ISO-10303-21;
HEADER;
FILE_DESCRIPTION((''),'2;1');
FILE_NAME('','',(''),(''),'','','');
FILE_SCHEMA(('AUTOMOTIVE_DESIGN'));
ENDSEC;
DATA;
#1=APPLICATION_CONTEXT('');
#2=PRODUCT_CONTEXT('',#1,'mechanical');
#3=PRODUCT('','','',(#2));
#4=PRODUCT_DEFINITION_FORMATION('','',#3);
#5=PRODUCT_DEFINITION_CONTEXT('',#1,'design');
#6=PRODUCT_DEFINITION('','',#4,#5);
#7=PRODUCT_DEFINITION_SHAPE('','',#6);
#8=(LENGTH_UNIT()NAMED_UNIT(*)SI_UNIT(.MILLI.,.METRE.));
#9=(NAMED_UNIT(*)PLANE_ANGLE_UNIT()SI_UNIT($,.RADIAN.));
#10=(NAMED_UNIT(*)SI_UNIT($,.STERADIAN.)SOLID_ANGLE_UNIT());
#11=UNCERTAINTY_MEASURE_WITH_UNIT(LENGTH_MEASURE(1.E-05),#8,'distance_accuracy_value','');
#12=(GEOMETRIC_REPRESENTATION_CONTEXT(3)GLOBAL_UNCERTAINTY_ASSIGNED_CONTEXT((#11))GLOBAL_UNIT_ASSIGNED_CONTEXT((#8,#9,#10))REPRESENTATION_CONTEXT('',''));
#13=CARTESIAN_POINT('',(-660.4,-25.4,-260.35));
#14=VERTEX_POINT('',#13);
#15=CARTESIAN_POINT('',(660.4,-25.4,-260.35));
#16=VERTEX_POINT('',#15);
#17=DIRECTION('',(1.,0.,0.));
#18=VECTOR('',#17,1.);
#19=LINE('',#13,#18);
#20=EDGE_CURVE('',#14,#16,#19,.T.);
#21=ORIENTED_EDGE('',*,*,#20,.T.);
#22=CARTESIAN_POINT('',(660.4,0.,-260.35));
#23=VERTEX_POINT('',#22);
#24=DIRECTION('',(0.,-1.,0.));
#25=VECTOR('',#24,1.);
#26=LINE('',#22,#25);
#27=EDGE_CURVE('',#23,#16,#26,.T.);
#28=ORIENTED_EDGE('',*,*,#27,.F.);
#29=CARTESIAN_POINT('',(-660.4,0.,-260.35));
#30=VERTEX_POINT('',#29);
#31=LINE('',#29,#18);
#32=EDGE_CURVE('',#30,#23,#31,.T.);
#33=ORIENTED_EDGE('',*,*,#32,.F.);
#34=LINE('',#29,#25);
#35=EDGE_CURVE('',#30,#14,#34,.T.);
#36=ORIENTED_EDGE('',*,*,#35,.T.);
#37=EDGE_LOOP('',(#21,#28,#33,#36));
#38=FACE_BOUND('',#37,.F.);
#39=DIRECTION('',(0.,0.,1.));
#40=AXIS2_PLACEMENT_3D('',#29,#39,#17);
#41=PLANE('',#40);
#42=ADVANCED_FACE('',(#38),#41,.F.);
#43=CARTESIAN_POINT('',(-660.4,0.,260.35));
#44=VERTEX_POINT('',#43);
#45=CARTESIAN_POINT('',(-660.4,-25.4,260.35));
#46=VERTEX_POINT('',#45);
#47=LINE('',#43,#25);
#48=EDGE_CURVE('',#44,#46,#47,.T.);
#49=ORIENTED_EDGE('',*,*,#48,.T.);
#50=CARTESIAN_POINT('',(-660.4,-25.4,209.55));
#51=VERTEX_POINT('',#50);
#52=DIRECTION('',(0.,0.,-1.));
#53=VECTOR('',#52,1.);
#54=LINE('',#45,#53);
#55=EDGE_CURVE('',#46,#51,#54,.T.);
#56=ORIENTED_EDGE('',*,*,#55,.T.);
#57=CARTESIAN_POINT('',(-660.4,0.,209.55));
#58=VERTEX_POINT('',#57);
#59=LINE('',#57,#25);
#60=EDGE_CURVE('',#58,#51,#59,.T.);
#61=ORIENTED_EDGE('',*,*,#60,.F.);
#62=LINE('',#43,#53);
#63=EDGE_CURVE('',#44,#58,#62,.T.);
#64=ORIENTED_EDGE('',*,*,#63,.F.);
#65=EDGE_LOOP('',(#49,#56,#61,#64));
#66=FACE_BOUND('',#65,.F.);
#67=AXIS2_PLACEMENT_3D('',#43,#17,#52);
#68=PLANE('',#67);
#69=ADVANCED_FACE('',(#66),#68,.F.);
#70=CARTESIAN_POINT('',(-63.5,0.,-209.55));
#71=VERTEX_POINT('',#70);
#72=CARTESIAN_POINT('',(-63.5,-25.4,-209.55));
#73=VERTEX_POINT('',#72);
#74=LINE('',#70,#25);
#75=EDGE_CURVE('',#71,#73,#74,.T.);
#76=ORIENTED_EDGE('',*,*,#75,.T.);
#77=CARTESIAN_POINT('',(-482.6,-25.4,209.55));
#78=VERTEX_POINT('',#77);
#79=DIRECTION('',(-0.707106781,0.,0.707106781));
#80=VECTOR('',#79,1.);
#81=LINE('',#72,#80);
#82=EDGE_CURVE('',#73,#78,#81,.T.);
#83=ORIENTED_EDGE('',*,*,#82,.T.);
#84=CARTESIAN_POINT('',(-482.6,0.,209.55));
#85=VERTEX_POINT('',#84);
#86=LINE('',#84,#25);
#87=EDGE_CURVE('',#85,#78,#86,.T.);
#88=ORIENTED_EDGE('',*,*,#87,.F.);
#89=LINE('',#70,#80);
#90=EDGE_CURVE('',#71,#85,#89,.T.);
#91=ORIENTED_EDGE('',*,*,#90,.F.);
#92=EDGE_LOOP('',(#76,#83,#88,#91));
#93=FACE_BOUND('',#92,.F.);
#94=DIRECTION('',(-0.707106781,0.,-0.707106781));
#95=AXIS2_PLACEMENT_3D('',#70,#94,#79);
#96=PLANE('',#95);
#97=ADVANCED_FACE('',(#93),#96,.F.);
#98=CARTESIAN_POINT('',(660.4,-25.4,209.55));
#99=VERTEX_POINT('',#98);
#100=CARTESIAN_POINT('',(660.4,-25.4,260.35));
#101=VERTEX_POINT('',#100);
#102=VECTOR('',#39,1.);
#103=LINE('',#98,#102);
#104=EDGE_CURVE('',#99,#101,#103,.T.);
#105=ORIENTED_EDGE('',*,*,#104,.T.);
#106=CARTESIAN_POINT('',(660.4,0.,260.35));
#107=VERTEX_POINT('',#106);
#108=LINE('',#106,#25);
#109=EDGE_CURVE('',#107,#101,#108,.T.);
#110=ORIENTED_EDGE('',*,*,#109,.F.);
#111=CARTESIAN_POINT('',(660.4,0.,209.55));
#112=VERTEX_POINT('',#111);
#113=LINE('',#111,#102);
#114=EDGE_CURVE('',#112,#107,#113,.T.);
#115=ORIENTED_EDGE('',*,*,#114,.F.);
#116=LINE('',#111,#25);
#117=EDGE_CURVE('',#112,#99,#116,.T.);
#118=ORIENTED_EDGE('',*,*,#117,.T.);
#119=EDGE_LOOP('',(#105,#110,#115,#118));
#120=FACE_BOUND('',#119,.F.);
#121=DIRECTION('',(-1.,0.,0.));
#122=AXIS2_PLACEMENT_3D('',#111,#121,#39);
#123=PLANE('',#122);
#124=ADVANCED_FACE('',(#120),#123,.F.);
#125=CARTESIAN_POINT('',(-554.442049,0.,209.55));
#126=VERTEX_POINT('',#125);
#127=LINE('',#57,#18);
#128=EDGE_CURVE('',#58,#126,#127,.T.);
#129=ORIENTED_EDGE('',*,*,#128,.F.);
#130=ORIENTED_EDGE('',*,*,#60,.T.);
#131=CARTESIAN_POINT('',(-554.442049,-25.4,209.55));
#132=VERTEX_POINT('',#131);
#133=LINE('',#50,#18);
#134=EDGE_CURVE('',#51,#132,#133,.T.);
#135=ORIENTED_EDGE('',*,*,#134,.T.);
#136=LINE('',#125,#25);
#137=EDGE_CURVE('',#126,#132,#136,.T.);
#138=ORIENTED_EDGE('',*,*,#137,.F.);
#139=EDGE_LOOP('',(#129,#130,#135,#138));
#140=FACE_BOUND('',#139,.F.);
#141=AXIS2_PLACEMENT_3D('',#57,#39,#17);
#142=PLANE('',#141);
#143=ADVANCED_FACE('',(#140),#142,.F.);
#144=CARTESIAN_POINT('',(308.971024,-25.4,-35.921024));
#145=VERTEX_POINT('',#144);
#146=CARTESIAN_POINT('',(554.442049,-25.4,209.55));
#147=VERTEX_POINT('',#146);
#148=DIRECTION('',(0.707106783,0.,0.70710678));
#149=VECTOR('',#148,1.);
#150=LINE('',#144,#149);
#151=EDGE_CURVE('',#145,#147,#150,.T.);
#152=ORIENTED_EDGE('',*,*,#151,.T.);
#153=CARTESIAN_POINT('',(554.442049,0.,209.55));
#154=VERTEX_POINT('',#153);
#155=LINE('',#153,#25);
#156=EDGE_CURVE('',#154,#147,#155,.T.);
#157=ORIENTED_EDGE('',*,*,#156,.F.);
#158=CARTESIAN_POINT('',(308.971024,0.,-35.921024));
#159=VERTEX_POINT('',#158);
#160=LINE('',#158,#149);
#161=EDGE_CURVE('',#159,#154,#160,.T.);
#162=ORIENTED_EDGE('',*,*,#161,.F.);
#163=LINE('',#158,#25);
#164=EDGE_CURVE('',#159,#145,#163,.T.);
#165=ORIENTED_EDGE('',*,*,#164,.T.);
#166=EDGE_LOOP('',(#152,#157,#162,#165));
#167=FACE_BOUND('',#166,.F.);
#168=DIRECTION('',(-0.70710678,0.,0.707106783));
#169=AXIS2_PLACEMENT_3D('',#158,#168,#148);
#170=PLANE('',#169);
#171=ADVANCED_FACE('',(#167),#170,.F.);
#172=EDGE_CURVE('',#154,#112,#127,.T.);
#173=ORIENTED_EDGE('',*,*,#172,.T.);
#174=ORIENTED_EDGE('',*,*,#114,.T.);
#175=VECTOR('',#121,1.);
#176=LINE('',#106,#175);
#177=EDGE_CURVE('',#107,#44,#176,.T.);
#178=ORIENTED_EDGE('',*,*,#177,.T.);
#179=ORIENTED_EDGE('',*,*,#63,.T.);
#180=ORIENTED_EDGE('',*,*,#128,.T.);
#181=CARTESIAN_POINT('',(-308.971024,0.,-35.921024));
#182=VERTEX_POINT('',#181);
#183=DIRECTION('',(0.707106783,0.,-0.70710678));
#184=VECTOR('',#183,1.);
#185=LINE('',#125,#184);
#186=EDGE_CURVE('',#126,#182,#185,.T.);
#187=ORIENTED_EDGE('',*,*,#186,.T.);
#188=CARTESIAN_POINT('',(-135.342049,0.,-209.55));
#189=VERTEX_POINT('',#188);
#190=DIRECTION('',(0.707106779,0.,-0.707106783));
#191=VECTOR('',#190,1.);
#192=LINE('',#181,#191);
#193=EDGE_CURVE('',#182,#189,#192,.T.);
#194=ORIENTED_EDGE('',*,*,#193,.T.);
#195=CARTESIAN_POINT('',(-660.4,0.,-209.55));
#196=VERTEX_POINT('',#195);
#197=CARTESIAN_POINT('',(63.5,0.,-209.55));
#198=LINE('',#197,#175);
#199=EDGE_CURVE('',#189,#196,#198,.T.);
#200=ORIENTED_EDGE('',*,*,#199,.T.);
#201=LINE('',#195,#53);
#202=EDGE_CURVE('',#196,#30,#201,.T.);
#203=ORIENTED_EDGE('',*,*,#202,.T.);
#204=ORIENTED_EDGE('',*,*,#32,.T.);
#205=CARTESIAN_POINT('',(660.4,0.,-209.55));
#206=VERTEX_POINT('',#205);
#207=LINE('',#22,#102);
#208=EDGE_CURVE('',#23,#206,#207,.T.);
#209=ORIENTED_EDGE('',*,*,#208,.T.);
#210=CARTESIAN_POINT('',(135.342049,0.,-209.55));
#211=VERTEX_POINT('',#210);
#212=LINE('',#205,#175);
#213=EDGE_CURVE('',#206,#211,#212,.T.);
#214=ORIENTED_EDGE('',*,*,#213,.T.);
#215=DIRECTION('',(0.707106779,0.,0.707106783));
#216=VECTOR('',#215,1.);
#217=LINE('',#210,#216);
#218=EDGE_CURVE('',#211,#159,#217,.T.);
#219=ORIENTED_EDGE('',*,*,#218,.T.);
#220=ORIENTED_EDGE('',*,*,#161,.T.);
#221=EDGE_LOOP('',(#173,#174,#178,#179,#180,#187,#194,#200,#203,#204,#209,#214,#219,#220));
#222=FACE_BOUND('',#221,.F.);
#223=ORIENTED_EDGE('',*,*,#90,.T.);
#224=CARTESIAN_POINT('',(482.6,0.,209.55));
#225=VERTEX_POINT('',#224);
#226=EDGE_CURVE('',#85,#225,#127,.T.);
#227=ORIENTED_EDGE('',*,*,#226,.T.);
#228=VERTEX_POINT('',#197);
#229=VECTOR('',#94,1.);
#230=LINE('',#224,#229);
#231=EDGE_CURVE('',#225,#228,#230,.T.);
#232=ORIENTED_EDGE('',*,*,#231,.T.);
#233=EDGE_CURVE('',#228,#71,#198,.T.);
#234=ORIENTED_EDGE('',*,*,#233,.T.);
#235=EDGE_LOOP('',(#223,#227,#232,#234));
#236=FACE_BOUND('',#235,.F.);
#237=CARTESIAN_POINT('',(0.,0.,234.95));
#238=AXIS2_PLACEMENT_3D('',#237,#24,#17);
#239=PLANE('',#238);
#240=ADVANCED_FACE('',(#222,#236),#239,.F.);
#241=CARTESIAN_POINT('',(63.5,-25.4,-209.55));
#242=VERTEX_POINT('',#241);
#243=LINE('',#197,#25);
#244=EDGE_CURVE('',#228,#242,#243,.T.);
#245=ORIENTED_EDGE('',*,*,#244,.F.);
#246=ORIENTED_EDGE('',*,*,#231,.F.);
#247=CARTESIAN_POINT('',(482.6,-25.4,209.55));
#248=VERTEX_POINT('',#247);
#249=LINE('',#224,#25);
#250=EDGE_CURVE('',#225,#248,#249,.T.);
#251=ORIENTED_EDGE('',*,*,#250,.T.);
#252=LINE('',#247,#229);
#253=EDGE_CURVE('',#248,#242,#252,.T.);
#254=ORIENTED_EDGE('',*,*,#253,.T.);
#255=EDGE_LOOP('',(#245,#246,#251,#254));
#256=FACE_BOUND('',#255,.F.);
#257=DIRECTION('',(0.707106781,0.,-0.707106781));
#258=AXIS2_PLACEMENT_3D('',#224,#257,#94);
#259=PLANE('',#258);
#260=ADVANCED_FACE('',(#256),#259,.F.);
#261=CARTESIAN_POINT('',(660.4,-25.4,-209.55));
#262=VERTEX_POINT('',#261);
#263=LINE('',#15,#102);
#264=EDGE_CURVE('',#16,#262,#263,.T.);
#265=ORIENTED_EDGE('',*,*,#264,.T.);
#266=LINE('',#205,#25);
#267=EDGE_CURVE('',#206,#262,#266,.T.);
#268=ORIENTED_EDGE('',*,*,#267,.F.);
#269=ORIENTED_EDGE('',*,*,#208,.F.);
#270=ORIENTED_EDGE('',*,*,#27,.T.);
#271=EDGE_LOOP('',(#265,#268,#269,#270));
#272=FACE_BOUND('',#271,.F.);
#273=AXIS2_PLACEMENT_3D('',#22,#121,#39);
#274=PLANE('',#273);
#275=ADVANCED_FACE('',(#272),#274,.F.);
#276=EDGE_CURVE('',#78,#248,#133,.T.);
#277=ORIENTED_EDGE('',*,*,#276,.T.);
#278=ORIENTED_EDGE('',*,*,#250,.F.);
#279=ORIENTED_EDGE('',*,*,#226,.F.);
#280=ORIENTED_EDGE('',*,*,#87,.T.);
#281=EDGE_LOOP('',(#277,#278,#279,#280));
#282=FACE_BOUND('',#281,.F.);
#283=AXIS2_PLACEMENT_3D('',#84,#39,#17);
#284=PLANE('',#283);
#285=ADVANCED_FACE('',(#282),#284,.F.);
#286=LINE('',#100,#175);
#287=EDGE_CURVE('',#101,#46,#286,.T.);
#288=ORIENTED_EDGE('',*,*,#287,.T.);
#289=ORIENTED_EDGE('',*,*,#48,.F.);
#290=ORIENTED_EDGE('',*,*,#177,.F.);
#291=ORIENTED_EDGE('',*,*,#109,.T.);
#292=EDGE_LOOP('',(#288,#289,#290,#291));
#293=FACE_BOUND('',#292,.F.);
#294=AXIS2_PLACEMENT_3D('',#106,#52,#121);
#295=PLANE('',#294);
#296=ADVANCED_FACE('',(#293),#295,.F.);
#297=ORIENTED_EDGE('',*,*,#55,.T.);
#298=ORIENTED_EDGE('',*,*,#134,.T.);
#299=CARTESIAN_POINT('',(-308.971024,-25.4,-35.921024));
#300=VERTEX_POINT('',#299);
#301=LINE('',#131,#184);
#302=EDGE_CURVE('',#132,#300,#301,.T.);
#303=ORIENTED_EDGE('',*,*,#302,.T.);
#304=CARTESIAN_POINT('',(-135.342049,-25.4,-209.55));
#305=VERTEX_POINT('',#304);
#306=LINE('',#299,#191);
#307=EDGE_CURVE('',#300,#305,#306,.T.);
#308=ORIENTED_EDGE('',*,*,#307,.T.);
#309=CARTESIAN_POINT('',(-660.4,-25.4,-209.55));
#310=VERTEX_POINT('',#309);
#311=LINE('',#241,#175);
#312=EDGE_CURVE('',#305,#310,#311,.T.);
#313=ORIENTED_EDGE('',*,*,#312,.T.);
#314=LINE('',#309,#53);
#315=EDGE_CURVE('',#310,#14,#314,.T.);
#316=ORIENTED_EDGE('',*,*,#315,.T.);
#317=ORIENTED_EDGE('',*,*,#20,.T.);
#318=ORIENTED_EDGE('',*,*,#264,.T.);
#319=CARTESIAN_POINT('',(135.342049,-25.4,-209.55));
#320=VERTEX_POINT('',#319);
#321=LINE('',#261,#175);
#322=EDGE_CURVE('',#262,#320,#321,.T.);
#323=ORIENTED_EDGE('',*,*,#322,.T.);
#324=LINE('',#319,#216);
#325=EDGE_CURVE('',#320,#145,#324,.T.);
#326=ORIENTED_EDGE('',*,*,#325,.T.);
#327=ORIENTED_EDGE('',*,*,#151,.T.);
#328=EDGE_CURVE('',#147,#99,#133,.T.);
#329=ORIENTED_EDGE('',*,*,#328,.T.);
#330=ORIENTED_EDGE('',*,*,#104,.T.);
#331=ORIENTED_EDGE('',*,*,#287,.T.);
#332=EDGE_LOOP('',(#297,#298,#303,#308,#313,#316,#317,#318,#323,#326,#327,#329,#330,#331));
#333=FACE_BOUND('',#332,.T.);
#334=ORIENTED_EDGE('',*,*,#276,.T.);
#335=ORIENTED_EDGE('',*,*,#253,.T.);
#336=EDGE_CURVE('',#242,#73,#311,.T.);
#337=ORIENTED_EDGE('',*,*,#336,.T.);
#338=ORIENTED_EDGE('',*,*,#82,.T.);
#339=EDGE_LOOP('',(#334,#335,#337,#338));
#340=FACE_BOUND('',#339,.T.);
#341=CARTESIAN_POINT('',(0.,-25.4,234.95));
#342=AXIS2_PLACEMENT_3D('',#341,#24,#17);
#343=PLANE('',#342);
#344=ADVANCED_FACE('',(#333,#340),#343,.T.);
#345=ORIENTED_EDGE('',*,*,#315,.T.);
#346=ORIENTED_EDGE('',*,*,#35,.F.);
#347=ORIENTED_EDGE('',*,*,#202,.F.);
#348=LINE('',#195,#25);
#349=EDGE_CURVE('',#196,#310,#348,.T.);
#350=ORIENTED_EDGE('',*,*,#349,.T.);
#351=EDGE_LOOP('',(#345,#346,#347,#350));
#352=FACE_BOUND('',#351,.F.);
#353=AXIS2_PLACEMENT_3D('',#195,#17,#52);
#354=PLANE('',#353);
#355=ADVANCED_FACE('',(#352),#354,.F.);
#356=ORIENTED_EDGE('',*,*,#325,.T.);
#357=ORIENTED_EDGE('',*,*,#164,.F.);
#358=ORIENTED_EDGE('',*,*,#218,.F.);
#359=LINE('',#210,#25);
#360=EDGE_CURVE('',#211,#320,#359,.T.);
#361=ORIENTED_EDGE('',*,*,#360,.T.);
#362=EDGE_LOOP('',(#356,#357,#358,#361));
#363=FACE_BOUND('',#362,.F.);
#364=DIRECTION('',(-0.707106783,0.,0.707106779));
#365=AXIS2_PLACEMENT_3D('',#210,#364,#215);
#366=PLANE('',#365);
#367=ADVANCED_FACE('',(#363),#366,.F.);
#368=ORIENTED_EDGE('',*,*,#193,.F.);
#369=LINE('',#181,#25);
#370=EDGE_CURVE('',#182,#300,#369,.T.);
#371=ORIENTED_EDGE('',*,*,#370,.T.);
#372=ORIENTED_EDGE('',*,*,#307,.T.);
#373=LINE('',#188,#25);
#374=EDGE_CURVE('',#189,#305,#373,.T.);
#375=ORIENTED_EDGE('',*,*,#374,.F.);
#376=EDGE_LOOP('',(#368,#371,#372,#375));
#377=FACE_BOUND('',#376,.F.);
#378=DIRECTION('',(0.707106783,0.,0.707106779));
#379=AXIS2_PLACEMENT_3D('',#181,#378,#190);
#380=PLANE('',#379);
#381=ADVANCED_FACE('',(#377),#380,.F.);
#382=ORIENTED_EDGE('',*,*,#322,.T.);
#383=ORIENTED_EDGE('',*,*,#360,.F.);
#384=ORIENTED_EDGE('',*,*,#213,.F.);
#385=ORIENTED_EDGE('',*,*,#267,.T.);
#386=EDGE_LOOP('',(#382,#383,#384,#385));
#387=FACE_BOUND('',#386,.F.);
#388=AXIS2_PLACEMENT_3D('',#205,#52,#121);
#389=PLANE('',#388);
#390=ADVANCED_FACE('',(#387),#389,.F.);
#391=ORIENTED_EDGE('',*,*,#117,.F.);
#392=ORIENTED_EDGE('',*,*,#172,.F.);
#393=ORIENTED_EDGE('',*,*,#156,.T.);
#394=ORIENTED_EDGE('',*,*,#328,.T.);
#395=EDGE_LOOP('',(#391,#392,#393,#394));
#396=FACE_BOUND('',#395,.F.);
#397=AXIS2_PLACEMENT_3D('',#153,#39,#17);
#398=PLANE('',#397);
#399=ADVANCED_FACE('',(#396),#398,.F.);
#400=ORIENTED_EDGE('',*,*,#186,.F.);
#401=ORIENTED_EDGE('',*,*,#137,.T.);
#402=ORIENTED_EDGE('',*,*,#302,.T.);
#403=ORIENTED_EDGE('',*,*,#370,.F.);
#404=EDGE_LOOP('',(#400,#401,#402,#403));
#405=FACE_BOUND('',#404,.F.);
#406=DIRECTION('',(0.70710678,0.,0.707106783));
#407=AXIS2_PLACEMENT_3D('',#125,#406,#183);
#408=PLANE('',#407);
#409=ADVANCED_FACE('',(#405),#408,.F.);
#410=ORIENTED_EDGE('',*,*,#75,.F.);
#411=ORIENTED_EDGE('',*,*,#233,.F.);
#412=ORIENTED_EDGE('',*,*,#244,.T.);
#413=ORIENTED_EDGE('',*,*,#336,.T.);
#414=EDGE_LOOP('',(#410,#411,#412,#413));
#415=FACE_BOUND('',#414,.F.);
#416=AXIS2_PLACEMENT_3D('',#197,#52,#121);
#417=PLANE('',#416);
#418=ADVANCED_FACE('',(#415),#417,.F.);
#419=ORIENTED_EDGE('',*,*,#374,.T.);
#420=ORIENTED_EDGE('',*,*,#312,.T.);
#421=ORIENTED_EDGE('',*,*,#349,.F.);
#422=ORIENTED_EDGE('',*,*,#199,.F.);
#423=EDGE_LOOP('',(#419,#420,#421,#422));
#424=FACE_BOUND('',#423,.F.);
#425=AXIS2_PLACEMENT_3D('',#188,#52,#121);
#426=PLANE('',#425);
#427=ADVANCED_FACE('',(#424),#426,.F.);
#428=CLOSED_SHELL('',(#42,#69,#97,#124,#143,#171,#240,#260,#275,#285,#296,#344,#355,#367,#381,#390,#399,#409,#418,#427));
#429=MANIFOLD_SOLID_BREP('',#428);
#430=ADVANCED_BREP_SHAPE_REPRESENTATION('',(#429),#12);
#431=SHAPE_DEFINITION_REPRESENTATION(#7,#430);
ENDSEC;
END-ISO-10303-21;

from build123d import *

# Parameters (mm, degrees)
F1_DEPTH = 25.4


with BuildPart() as f1:
    # F0 (on Front) → F1 (new body)
    with BuildSketch(Plane.XZ):
        Polygon((660.4, 209.55), (660.4, 260.35), (-660.4, 260.35), (-660.4, 209.55), (-554.442049, 209.55), (-482.6, 209.55), (-63.5, 209.55), (63.5, 209.55), (482.6, 209.55), (554.442049, 209.55), align=None)
        Polygon((308.971024, -35.921024), (554.442049, 209.55), (482.6, 209.55), (63.5, -209.55), (135.342049, -209.55), align=None)
        Polygon((135.342049, -209.55), (63.5, -209.55), (-63.5, -209.55), (-135.342049, -209.55), (-660.4, -209.55), (-660.4, -260.35), (660.4, -260.35), (660.4, -209.55), align=None)
        Polygon((-482.6, 209.55), (-554.442049, 209.55), (-308.971024, -35.921024), (-135.342049, -209.55), (-63.5, -209.55), align=None)
    extrude(amount=F1_DEPTH)


solid = f1.part
